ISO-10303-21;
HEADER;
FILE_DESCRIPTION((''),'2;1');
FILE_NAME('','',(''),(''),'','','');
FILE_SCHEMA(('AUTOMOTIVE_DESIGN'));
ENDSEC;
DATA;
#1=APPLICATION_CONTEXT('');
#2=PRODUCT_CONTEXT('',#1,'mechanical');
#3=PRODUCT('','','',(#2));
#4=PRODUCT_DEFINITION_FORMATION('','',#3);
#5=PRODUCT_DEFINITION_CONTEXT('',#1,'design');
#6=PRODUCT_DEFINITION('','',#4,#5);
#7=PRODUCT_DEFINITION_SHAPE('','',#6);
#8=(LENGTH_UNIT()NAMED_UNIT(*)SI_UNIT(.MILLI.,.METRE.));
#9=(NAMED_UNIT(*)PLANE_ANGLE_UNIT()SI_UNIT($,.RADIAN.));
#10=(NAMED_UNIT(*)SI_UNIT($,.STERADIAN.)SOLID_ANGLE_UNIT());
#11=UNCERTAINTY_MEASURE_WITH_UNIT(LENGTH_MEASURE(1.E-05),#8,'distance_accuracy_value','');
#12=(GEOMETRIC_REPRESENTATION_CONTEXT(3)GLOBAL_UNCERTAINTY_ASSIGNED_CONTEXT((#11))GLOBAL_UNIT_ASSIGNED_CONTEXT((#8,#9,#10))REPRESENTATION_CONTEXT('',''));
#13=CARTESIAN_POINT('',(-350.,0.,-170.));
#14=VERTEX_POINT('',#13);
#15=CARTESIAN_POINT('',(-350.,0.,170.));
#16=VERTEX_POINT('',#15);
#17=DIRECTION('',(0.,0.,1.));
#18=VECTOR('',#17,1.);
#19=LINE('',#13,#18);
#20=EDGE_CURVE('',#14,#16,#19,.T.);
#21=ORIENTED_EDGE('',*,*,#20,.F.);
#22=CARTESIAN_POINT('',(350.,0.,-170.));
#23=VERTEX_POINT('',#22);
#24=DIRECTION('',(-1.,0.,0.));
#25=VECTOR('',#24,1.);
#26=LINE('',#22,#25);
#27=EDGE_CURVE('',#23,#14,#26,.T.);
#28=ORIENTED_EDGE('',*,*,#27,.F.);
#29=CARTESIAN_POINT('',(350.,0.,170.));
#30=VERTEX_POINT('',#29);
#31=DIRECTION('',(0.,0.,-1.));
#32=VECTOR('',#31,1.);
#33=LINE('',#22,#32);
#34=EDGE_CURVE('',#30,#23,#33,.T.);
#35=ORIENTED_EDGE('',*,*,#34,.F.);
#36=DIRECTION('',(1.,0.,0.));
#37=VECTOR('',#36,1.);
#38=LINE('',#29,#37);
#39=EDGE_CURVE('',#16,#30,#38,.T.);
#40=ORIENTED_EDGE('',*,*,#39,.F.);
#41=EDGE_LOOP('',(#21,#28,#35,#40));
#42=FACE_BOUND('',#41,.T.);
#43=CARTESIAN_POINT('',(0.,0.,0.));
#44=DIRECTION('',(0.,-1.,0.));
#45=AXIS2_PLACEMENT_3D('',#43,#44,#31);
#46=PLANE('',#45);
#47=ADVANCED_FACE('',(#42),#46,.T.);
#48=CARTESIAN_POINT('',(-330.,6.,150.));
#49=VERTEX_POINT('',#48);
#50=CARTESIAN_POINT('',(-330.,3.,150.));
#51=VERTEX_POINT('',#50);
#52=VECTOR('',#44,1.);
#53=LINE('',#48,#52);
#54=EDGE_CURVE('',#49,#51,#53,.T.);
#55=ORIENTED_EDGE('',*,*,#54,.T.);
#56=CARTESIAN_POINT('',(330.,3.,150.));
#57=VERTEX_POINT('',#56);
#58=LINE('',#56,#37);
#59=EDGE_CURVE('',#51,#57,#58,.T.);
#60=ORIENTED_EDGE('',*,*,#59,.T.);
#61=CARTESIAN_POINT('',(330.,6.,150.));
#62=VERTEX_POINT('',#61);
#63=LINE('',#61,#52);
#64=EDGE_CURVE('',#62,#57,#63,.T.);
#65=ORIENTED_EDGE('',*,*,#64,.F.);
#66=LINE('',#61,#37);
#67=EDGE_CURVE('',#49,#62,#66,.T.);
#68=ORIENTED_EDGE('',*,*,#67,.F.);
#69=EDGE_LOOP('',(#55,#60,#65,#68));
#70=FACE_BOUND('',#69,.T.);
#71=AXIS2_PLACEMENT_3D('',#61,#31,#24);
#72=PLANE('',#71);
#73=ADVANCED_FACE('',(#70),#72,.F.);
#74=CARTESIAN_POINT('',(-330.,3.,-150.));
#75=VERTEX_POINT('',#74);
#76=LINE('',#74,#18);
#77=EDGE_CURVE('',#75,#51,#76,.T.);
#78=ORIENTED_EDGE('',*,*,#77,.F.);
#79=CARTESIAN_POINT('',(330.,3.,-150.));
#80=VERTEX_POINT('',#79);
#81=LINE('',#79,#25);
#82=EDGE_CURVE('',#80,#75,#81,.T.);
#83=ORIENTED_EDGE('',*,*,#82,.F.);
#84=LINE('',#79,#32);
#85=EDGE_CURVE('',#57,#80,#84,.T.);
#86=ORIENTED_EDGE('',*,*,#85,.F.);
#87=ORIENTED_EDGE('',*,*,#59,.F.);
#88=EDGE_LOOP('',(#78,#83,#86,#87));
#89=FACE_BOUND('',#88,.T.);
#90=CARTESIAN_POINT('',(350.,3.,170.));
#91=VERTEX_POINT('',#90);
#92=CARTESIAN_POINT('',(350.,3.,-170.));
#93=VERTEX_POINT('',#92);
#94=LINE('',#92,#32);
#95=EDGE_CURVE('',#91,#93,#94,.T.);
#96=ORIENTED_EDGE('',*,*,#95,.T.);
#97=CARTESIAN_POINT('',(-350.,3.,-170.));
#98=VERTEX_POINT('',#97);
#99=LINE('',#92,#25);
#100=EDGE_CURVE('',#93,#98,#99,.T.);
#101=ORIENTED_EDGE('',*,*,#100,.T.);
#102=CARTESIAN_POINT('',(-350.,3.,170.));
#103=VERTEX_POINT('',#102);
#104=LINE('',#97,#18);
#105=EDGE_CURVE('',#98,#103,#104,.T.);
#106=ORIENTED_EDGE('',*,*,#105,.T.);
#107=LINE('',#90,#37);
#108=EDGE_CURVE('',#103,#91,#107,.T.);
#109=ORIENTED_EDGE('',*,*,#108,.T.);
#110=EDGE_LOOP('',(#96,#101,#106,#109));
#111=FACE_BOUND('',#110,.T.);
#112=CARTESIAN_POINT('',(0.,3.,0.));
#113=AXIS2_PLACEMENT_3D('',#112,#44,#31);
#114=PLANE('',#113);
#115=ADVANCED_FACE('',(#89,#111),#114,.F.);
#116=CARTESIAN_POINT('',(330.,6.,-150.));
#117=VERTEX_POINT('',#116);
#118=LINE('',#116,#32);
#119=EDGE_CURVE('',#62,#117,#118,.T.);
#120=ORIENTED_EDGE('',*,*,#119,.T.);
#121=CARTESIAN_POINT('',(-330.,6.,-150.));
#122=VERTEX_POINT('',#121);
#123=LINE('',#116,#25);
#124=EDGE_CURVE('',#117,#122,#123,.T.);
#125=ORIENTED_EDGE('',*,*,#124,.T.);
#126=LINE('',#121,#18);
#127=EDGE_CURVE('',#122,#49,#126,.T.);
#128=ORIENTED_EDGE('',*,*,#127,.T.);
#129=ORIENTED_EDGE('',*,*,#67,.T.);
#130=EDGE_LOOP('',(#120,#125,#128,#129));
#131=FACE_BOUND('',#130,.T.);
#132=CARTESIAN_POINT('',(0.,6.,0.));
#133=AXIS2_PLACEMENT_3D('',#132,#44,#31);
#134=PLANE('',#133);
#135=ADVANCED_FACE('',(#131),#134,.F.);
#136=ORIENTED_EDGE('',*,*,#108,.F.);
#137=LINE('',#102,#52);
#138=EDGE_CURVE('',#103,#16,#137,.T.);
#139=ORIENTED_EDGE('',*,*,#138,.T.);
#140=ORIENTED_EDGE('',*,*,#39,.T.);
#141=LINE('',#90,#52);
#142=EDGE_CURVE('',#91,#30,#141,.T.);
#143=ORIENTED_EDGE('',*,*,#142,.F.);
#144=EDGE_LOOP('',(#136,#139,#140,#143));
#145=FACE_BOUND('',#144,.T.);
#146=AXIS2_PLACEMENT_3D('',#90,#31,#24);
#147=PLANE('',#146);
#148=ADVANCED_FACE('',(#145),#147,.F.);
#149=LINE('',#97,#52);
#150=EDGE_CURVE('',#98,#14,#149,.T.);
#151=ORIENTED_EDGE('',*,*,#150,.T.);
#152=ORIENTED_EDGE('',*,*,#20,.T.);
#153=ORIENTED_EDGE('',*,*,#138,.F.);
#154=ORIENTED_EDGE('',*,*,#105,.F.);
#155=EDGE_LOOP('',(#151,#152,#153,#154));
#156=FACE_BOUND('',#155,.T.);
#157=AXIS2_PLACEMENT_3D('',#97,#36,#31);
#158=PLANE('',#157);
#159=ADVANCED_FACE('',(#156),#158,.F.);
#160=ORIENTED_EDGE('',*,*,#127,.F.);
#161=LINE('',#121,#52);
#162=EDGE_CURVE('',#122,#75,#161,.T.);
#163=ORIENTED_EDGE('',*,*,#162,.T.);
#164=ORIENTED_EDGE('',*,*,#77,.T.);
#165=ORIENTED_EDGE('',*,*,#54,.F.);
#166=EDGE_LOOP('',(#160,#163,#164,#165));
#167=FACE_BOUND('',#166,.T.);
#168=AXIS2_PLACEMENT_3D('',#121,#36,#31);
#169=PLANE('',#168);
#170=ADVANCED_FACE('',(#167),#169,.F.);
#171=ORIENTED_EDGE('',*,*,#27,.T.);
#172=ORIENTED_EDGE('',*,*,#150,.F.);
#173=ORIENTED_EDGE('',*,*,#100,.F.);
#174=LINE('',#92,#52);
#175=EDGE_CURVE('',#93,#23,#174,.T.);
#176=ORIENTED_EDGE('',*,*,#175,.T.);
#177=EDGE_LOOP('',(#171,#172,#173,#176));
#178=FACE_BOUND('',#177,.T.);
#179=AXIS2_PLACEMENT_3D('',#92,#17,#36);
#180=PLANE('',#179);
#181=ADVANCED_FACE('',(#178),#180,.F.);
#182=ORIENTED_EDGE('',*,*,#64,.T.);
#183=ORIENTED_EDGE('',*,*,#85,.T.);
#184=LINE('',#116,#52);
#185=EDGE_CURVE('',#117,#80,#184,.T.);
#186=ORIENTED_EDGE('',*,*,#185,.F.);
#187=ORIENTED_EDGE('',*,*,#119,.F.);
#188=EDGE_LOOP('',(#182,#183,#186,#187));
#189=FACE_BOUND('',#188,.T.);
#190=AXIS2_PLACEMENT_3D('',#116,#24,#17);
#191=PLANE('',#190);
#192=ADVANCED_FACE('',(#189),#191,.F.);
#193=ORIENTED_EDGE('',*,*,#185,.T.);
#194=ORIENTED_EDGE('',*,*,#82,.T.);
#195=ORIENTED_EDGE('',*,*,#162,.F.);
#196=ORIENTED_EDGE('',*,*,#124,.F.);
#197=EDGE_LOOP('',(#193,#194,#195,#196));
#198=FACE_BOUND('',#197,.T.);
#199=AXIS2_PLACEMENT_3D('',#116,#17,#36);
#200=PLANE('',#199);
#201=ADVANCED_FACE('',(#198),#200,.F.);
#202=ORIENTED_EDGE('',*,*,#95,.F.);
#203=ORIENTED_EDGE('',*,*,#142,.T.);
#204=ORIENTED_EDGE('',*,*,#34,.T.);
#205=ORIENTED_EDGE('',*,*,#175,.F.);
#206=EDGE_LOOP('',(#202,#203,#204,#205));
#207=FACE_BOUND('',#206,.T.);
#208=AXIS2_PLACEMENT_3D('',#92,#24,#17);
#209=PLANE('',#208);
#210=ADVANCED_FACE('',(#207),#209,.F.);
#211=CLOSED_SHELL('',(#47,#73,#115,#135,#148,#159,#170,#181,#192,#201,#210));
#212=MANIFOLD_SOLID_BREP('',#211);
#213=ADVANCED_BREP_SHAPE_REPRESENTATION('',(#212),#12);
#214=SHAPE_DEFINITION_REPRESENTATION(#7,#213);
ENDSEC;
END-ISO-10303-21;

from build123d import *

# Parameters (mm, degrees)
SKETCH_1_W      = 700
SKETCH_1_H      = 340
EXTRUDE_1_DEPTH = 3
SKETCH_2_W      = 660
SKETCH_2_H      = 300
EXTRUDE_2_DEPTH = 3


with BuildPart() as part:
    # Эскиз1 → Бобышка-Вытянуть1 (new body)
    with BuildSketch(Plane(origin=(0, 0, 0), x_dir=(1, 0, 0), z_dir=(0, 1, 0))):
        Rectangle(SKETCH_1_W, SKETCH_1_H)
    extrude(amount=EXTRUDE_1_DEPTH)

    # Эскиз2 → Бобышка-Вытянуть2 (add)
    with BuildSketch(Plane(origin=(0, 3, 0), x_dir=(1, 0, 0), z_dir=(0, 1, 0))):
        Rectangle(SKETCH_2_W, SKETCH_2_H)
    extrude(amount=EXTRUDE_2_DEPTH)


solid = part.part
